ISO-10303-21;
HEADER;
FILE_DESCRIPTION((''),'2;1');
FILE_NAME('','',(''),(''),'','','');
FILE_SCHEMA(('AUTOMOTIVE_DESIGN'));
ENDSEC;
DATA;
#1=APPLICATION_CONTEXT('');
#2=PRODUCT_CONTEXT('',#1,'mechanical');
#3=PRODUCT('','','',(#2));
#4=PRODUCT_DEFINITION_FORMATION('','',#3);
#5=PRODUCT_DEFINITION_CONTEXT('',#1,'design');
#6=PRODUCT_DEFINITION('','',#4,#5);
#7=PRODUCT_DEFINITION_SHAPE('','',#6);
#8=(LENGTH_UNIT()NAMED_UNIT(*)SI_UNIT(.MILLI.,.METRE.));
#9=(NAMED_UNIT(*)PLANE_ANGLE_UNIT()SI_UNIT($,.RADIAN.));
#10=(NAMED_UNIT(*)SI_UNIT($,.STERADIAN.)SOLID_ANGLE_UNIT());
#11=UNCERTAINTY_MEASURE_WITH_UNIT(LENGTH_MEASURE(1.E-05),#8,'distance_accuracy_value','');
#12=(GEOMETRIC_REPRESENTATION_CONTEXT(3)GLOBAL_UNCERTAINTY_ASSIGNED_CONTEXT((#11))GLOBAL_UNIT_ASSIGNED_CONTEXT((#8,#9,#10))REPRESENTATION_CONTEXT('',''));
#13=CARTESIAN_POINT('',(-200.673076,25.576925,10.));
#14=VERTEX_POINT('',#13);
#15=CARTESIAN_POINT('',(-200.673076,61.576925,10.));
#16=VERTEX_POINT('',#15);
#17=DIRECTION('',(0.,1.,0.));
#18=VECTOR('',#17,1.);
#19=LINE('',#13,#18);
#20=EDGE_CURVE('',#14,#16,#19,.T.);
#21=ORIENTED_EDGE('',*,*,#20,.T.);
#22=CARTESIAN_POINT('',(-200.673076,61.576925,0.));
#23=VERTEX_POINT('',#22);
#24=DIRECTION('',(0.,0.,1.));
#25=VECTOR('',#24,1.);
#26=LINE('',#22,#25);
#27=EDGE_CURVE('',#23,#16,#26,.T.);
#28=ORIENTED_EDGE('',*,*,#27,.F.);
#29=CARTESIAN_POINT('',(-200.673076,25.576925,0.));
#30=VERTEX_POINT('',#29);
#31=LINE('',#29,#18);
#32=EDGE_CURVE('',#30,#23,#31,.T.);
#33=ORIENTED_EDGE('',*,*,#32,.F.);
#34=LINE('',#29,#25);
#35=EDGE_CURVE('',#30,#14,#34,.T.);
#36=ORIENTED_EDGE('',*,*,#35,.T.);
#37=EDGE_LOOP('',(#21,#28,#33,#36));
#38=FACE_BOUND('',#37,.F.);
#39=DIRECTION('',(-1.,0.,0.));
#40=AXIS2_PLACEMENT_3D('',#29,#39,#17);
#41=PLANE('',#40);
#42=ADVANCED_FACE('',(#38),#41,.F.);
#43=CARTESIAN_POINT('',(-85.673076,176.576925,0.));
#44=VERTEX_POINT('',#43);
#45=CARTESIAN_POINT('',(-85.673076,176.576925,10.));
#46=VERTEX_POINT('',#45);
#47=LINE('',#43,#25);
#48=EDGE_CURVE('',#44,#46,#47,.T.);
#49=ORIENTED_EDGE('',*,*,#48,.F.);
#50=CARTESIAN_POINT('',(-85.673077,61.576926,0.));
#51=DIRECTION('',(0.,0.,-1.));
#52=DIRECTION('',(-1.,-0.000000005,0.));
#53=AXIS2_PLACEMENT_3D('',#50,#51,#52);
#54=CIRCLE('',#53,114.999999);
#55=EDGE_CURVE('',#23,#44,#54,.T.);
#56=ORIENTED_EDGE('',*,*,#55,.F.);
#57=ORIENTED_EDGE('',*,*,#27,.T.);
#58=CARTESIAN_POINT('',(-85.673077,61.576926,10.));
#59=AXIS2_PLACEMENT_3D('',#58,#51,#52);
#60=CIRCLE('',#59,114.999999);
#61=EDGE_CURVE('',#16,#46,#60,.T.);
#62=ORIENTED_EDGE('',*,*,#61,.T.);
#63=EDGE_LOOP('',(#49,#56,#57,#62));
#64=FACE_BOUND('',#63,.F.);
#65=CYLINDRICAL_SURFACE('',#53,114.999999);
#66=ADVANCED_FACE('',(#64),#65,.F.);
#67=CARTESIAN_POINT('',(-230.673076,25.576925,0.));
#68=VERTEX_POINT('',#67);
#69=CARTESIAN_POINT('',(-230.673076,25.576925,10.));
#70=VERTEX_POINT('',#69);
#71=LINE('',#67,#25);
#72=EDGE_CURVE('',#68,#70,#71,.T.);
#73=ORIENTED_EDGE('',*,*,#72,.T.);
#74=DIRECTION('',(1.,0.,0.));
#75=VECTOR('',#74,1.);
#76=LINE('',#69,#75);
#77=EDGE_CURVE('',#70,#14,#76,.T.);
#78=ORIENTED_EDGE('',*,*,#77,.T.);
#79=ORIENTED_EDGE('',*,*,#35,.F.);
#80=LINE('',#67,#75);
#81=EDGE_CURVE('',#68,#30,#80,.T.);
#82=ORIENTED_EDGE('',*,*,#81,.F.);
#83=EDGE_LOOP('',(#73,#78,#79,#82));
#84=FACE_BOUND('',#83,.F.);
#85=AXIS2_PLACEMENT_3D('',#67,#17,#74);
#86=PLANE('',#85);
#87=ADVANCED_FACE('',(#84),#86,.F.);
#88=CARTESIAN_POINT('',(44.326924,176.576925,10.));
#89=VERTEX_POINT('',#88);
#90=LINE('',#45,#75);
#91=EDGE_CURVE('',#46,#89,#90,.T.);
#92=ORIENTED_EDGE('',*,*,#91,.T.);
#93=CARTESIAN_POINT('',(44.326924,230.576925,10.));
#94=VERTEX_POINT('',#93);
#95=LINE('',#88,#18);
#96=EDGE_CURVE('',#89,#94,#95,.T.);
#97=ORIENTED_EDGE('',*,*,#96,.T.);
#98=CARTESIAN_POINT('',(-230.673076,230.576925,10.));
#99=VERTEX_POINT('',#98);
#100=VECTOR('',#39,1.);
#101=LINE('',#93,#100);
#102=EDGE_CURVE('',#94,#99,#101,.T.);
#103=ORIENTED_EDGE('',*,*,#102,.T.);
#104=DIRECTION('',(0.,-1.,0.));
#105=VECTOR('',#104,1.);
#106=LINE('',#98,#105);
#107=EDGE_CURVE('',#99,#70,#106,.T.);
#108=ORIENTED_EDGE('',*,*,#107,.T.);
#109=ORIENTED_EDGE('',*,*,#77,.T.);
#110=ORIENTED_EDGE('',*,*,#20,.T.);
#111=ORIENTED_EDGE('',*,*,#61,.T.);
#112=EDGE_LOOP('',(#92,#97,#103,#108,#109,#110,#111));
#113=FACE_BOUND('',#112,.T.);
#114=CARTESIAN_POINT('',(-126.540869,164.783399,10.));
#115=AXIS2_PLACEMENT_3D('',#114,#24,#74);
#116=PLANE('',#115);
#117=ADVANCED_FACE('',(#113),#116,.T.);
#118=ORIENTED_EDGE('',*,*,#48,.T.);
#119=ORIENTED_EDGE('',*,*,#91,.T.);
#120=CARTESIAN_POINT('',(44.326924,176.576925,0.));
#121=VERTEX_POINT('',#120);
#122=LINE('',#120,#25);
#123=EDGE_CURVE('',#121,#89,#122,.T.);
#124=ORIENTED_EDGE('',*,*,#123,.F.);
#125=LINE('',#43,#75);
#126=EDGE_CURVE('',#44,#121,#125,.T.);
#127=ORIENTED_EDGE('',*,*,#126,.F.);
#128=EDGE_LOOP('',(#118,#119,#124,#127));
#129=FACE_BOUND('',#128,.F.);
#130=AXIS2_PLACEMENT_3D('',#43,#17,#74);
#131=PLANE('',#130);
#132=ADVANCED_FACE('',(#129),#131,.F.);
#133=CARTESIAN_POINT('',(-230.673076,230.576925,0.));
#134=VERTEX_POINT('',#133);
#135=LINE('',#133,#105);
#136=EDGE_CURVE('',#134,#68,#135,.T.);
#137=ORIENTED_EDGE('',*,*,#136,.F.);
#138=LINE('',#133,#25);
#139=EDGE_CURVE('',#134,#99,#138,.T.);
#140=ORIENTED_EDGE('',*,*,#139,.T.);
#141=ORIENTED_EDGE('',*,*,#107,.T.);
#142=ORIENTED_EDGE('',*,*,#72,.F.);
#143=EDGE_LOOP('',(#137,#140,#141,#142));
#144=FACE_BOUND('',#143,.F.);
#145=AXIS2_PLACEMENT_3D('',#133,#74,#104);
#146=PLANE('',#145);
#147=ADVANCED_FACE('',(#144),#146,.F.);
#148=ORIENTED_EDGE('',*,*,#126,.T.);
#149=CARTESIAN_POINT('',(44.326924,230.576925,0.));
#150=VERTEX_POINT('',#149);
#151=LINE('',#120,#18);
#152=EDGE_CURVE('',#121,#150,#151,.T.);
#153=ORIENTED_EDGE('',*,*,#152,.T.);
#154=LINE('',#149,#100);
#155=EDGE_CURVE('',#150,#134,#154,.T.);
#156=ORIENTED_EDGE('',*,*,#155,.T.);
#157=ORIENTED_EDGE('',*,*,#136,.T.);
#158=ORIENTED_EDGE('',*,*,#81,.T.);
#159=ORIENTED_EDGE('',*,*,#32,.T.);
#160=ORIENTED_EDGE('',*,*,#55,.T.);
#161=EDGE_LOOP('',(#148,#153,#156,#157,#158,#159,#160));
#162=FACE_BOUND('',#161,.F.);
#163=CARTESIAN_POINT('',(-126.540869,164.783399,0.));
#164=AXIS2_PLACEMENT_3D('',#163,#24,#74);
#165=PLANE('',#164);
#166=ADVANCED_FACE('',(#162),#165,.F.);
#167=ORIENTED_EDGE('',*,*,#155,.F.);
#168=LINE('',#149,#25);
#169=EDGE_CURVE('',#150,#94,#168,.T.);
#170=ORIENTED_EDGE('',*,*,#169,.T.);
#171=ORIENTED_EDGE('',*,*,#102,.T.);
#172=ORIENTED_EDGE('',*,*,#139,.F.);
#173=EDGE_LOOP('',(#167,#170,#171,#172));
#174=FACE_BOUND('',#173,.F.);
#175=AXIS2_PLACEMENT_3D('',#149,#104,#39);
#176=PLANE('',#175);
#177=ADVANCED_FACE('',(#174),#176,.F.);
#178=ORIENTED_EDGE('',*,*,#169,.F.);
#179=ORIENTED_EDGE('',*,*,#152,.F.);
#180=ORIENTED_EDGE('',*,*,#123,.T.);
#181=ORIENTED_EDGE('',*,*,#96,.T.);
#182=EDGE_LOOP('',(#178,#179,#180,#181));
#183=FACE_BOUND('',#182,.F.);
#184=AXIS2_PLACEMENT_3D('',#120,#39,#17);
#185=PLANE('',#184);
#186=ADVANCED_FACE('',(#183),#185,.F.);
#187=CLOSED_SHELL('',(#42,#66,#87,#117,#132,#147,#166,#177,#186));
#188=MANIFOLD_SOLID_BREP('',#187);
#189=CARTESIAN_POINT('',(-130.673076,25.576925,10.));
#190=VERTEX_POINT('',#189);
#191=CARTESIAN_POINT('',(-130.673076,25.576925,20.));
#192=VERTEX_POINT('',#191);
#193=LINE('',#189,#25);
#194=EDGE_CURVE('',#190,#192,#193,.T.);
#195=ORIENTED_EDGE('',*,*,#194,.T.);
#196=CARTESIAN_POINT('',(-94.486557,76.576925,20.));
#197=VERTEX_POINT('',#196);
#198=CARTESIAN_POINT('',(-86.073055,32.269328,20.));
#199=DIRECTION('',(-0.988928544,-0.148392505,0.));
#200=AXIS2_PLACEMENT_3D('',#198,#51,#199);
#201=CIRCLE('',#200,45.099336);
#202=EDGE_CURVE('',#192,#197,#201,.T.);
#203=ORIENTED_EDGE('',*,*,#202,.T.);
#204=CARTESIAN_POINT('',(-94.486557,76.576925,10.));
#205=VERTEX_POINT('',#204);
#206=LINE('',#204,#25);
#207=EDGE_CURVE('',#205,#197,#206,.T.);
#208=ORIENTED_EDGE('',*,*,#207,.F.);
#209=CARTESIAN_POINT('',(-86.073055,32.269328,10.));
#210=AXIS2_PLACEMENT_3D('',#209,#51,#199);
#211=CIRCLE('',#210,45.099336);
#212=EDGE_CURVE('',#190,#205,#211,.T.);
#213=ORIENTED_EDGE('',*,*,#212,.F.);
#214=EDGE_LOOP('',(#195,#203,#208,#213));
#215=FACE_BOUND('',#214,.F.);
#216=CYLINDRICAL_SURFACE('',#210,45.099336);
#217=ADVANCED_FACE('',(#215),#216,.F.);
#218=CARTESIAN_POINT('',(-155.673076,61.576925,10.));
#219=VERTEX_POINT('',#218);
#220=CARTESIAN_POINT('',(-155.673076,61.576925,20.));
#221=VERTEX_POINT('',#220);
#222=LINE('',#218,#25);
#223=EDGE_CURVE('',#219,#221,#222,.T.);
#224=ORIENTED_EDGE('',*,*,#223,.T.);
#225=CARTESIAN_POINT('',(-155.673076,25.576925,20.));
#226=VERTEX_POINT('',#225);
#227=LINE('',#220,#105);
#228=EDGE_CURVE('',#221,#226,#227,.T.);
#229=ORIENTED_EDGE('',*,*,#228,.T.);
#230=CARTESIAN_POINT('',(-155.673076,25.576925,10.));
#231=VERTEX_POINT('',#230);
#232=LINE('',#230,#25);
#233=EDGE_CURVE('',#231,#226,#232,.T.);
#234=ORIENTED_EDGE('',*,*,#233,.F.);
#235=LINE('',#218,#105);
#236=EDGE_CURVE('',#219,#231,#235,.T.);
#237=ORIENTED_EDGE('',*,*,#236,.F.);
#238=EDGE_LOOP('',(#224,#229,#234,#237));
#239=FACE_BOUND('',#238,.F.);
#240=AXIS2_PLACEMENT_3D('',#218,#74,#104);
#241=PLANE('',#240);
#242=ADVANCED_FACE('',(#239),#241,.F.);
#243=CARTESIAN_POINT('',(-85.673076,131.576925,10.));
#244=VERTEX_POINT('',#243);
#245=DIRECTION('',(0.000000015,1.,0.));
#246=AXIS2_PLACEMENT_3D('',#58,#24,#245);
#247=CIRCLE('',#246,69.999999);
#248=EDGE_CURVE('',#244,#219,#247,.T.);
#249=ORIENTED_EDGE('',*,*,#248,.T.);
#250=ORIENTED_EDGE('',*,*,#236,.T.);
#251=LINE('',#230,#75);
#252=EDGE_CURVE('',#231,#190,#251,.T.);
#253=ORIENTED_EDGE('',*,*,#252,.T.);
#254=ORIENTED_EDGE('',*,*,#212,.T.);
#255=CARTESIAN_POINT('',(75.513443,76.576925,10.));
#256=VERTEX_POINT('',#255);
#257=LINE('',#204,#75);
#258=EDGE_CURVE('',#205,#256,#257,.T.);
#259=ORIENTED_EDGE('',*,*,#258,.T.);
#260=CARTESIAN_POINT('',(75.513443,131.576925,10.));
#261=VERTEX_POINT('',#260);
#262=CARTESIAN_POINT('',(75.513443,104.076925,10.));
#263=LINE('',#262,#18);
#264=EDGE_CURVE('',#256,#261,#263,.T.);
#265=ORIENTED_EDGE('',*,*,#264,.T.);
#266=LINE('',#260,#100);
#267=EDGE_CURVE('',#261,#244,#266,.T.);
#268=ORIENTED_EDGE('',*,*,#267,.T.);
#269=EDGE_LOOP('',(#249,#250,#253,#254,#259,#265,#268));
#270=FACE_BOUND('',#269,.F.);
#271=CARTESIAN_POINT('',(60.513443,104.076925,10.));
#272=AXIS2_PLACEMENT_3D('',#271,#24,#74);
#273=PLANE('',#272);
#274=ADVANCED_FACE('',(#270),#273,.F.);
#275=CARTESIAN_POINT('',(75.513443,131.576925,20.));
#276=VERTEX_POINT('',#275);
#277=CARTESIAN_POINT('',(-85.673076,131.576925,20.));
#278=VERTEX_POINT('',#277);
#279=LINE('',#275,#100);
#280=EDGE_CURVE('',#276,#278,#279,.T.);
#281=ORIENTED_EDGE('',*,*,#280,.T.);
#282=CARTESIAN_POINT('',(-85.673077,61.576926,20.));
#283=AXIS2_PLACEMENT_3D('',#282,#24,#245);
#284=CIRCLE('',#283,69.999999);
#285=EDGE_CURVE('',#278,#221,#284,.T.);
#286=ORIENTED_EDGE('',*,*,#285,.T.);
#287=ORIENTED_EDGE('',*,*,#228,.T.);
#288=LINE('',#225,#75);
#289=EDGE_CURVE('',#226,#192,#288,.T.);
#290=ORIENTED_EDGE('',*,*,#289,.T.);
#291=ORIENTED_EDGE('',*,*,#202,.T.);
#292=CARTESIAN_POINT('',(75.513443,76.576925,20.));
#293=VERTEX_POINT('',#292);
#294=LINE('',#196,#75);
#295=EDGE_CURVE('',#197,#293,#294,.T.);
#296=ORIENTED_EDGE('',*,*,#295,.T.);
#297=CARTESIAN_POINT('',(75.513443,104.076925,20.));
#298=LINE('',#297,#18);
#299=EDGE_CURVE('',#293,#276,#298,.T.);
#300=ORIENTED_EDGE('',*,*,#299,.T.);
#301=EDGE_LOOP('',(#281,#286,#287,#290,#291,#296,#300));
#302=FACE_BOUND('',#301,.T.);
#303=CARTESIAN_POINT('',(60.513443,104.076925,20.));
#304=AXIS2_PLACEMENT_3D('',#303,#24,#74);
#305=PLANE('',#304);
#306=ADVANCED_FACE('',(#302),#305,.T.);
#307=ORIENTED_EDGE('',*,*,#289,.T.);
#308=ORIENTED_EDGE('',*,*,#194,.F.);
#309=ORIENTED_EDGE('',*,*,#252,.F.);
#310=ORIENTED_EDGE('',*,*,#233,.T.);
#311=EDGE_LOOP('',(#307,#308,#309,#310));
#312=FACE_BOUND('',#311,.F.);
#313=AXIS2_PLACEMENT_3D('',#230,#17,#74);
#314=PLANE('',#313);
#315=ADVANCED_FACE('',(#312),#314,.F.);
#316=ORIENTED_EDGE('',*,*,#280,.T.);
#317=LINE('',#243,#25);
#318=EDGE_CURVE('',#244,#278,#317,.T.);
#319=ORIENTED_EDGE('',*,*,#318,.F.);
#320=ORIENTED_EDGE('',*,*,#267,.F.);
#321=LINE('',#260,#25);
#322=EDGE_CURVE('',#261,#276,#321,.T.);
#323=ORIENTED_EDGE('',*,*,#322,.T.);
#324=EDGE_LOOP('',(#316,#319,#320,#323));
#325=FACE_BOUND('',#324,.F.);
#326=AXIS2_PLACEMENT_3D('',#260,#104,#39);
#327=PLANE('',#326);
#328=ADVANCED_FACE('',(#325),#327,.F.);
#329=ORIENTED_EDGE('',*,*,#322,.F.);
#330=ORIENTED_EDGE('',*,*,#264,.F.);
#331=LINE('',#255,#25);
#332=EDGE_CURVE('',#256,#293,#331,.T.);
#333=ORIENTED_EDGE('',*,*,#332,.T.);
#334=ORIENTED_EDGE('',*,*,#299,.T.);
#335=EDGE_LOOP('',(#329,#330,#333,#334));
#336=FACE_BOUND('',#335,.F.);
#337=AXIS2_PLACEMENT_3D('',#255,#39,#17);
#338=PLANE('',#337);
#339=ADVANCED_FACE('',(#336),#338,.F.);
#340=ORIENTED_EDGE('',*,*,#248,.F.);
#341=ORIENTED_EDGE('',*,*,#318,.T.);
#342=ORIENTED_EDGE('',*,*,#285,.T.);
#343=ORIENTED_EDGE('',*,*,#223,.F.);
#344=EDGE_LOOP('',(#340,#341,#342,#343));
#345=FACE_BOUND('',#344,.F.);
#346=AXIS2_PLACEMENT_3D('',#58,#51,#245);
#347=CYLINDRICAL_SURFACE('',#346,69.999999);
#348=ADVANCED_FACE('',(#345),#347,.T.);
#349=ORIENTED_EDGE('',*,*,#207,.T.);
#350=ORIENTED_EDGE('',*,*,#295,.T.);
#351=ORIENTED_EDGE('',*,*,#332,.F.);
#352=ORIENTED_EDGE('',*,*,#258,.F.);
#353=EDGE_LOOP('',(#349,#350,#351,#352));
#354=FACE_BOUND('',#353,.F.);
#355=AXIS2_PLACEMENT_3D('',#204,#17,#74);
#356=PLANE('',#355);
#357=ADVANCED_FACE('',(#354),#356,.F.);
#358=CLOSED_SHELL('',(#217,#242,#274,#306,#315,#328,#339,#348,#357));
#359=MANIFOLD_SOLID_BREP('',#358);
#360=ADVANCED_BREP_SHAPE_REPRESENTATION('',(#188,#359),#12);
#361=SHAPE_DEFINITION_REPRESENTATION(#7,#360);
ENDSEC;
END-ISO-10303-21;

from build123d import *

# Parameters (mm, degrees)
F1_DEPTH = 10
F2_W     = 30
F2_H     = 55
F3_DEPTH = 10


with BuildPart() as f1:
    # F0 (on Top) → F1 (new body)
    with BuildSketch(Plane.XY):
        with BuildLine():
            Line((44.326924, 230.576925), (-230.673076, 230.576925))
            Line((-230.673076, 230.576925), (-230.673076, 25.576925))
            Line((-230.673076, 25.576925), (-200.673076, 25.576925))
            Line((-200.673076, 25.576925), (-200.673076, 61.576925))
            ThreePointArc((-200.673076, 61.576925), (-166.990356, 142.894205), (-85.673076, 176.576925))
            Line((-85.673076, 176.576925), (44.326924, 176.576925))
            Line((44.326924, 176.576925), (44.326924, 230.576925))
        make_face()
    extrude(amount=F1_DEPTH)


with BuildPart() as f3:
    # F2 (on face) → F3 (new body)
    with BuildSketch(Plane.XY.offset(10)):
        with Locations((60.513443, 104.076925)):
            Rectangle(F2_W, F2_H)
        with BuildLine():
            Line((45.513443, 131.576925), (-85.673076, 131.576925))
            ThreePointArc((-85.673076, 131.576925), (-135.170551, 111.0744), (-155.673076, 61.576925))
            Line((-155.673076, 61.576925), (-155.673076, 25.576925))
            Line((-155.673076, 25.576925), (-130.673076, 25.576925))
            ThreePointArc((-130.673076, 25.576925), (-122.854279, 58.367062), (-94.486557, 76.576925))
            Line((-94.486557, 76.576925), (45.513443, 76.576925))
            Line((45.513443, 76.576925), (45.513443, 131.576925))
        make_face()
    extrude(amount=F3_DEPTH)


solid = Compound([f1.part, f3.part])
